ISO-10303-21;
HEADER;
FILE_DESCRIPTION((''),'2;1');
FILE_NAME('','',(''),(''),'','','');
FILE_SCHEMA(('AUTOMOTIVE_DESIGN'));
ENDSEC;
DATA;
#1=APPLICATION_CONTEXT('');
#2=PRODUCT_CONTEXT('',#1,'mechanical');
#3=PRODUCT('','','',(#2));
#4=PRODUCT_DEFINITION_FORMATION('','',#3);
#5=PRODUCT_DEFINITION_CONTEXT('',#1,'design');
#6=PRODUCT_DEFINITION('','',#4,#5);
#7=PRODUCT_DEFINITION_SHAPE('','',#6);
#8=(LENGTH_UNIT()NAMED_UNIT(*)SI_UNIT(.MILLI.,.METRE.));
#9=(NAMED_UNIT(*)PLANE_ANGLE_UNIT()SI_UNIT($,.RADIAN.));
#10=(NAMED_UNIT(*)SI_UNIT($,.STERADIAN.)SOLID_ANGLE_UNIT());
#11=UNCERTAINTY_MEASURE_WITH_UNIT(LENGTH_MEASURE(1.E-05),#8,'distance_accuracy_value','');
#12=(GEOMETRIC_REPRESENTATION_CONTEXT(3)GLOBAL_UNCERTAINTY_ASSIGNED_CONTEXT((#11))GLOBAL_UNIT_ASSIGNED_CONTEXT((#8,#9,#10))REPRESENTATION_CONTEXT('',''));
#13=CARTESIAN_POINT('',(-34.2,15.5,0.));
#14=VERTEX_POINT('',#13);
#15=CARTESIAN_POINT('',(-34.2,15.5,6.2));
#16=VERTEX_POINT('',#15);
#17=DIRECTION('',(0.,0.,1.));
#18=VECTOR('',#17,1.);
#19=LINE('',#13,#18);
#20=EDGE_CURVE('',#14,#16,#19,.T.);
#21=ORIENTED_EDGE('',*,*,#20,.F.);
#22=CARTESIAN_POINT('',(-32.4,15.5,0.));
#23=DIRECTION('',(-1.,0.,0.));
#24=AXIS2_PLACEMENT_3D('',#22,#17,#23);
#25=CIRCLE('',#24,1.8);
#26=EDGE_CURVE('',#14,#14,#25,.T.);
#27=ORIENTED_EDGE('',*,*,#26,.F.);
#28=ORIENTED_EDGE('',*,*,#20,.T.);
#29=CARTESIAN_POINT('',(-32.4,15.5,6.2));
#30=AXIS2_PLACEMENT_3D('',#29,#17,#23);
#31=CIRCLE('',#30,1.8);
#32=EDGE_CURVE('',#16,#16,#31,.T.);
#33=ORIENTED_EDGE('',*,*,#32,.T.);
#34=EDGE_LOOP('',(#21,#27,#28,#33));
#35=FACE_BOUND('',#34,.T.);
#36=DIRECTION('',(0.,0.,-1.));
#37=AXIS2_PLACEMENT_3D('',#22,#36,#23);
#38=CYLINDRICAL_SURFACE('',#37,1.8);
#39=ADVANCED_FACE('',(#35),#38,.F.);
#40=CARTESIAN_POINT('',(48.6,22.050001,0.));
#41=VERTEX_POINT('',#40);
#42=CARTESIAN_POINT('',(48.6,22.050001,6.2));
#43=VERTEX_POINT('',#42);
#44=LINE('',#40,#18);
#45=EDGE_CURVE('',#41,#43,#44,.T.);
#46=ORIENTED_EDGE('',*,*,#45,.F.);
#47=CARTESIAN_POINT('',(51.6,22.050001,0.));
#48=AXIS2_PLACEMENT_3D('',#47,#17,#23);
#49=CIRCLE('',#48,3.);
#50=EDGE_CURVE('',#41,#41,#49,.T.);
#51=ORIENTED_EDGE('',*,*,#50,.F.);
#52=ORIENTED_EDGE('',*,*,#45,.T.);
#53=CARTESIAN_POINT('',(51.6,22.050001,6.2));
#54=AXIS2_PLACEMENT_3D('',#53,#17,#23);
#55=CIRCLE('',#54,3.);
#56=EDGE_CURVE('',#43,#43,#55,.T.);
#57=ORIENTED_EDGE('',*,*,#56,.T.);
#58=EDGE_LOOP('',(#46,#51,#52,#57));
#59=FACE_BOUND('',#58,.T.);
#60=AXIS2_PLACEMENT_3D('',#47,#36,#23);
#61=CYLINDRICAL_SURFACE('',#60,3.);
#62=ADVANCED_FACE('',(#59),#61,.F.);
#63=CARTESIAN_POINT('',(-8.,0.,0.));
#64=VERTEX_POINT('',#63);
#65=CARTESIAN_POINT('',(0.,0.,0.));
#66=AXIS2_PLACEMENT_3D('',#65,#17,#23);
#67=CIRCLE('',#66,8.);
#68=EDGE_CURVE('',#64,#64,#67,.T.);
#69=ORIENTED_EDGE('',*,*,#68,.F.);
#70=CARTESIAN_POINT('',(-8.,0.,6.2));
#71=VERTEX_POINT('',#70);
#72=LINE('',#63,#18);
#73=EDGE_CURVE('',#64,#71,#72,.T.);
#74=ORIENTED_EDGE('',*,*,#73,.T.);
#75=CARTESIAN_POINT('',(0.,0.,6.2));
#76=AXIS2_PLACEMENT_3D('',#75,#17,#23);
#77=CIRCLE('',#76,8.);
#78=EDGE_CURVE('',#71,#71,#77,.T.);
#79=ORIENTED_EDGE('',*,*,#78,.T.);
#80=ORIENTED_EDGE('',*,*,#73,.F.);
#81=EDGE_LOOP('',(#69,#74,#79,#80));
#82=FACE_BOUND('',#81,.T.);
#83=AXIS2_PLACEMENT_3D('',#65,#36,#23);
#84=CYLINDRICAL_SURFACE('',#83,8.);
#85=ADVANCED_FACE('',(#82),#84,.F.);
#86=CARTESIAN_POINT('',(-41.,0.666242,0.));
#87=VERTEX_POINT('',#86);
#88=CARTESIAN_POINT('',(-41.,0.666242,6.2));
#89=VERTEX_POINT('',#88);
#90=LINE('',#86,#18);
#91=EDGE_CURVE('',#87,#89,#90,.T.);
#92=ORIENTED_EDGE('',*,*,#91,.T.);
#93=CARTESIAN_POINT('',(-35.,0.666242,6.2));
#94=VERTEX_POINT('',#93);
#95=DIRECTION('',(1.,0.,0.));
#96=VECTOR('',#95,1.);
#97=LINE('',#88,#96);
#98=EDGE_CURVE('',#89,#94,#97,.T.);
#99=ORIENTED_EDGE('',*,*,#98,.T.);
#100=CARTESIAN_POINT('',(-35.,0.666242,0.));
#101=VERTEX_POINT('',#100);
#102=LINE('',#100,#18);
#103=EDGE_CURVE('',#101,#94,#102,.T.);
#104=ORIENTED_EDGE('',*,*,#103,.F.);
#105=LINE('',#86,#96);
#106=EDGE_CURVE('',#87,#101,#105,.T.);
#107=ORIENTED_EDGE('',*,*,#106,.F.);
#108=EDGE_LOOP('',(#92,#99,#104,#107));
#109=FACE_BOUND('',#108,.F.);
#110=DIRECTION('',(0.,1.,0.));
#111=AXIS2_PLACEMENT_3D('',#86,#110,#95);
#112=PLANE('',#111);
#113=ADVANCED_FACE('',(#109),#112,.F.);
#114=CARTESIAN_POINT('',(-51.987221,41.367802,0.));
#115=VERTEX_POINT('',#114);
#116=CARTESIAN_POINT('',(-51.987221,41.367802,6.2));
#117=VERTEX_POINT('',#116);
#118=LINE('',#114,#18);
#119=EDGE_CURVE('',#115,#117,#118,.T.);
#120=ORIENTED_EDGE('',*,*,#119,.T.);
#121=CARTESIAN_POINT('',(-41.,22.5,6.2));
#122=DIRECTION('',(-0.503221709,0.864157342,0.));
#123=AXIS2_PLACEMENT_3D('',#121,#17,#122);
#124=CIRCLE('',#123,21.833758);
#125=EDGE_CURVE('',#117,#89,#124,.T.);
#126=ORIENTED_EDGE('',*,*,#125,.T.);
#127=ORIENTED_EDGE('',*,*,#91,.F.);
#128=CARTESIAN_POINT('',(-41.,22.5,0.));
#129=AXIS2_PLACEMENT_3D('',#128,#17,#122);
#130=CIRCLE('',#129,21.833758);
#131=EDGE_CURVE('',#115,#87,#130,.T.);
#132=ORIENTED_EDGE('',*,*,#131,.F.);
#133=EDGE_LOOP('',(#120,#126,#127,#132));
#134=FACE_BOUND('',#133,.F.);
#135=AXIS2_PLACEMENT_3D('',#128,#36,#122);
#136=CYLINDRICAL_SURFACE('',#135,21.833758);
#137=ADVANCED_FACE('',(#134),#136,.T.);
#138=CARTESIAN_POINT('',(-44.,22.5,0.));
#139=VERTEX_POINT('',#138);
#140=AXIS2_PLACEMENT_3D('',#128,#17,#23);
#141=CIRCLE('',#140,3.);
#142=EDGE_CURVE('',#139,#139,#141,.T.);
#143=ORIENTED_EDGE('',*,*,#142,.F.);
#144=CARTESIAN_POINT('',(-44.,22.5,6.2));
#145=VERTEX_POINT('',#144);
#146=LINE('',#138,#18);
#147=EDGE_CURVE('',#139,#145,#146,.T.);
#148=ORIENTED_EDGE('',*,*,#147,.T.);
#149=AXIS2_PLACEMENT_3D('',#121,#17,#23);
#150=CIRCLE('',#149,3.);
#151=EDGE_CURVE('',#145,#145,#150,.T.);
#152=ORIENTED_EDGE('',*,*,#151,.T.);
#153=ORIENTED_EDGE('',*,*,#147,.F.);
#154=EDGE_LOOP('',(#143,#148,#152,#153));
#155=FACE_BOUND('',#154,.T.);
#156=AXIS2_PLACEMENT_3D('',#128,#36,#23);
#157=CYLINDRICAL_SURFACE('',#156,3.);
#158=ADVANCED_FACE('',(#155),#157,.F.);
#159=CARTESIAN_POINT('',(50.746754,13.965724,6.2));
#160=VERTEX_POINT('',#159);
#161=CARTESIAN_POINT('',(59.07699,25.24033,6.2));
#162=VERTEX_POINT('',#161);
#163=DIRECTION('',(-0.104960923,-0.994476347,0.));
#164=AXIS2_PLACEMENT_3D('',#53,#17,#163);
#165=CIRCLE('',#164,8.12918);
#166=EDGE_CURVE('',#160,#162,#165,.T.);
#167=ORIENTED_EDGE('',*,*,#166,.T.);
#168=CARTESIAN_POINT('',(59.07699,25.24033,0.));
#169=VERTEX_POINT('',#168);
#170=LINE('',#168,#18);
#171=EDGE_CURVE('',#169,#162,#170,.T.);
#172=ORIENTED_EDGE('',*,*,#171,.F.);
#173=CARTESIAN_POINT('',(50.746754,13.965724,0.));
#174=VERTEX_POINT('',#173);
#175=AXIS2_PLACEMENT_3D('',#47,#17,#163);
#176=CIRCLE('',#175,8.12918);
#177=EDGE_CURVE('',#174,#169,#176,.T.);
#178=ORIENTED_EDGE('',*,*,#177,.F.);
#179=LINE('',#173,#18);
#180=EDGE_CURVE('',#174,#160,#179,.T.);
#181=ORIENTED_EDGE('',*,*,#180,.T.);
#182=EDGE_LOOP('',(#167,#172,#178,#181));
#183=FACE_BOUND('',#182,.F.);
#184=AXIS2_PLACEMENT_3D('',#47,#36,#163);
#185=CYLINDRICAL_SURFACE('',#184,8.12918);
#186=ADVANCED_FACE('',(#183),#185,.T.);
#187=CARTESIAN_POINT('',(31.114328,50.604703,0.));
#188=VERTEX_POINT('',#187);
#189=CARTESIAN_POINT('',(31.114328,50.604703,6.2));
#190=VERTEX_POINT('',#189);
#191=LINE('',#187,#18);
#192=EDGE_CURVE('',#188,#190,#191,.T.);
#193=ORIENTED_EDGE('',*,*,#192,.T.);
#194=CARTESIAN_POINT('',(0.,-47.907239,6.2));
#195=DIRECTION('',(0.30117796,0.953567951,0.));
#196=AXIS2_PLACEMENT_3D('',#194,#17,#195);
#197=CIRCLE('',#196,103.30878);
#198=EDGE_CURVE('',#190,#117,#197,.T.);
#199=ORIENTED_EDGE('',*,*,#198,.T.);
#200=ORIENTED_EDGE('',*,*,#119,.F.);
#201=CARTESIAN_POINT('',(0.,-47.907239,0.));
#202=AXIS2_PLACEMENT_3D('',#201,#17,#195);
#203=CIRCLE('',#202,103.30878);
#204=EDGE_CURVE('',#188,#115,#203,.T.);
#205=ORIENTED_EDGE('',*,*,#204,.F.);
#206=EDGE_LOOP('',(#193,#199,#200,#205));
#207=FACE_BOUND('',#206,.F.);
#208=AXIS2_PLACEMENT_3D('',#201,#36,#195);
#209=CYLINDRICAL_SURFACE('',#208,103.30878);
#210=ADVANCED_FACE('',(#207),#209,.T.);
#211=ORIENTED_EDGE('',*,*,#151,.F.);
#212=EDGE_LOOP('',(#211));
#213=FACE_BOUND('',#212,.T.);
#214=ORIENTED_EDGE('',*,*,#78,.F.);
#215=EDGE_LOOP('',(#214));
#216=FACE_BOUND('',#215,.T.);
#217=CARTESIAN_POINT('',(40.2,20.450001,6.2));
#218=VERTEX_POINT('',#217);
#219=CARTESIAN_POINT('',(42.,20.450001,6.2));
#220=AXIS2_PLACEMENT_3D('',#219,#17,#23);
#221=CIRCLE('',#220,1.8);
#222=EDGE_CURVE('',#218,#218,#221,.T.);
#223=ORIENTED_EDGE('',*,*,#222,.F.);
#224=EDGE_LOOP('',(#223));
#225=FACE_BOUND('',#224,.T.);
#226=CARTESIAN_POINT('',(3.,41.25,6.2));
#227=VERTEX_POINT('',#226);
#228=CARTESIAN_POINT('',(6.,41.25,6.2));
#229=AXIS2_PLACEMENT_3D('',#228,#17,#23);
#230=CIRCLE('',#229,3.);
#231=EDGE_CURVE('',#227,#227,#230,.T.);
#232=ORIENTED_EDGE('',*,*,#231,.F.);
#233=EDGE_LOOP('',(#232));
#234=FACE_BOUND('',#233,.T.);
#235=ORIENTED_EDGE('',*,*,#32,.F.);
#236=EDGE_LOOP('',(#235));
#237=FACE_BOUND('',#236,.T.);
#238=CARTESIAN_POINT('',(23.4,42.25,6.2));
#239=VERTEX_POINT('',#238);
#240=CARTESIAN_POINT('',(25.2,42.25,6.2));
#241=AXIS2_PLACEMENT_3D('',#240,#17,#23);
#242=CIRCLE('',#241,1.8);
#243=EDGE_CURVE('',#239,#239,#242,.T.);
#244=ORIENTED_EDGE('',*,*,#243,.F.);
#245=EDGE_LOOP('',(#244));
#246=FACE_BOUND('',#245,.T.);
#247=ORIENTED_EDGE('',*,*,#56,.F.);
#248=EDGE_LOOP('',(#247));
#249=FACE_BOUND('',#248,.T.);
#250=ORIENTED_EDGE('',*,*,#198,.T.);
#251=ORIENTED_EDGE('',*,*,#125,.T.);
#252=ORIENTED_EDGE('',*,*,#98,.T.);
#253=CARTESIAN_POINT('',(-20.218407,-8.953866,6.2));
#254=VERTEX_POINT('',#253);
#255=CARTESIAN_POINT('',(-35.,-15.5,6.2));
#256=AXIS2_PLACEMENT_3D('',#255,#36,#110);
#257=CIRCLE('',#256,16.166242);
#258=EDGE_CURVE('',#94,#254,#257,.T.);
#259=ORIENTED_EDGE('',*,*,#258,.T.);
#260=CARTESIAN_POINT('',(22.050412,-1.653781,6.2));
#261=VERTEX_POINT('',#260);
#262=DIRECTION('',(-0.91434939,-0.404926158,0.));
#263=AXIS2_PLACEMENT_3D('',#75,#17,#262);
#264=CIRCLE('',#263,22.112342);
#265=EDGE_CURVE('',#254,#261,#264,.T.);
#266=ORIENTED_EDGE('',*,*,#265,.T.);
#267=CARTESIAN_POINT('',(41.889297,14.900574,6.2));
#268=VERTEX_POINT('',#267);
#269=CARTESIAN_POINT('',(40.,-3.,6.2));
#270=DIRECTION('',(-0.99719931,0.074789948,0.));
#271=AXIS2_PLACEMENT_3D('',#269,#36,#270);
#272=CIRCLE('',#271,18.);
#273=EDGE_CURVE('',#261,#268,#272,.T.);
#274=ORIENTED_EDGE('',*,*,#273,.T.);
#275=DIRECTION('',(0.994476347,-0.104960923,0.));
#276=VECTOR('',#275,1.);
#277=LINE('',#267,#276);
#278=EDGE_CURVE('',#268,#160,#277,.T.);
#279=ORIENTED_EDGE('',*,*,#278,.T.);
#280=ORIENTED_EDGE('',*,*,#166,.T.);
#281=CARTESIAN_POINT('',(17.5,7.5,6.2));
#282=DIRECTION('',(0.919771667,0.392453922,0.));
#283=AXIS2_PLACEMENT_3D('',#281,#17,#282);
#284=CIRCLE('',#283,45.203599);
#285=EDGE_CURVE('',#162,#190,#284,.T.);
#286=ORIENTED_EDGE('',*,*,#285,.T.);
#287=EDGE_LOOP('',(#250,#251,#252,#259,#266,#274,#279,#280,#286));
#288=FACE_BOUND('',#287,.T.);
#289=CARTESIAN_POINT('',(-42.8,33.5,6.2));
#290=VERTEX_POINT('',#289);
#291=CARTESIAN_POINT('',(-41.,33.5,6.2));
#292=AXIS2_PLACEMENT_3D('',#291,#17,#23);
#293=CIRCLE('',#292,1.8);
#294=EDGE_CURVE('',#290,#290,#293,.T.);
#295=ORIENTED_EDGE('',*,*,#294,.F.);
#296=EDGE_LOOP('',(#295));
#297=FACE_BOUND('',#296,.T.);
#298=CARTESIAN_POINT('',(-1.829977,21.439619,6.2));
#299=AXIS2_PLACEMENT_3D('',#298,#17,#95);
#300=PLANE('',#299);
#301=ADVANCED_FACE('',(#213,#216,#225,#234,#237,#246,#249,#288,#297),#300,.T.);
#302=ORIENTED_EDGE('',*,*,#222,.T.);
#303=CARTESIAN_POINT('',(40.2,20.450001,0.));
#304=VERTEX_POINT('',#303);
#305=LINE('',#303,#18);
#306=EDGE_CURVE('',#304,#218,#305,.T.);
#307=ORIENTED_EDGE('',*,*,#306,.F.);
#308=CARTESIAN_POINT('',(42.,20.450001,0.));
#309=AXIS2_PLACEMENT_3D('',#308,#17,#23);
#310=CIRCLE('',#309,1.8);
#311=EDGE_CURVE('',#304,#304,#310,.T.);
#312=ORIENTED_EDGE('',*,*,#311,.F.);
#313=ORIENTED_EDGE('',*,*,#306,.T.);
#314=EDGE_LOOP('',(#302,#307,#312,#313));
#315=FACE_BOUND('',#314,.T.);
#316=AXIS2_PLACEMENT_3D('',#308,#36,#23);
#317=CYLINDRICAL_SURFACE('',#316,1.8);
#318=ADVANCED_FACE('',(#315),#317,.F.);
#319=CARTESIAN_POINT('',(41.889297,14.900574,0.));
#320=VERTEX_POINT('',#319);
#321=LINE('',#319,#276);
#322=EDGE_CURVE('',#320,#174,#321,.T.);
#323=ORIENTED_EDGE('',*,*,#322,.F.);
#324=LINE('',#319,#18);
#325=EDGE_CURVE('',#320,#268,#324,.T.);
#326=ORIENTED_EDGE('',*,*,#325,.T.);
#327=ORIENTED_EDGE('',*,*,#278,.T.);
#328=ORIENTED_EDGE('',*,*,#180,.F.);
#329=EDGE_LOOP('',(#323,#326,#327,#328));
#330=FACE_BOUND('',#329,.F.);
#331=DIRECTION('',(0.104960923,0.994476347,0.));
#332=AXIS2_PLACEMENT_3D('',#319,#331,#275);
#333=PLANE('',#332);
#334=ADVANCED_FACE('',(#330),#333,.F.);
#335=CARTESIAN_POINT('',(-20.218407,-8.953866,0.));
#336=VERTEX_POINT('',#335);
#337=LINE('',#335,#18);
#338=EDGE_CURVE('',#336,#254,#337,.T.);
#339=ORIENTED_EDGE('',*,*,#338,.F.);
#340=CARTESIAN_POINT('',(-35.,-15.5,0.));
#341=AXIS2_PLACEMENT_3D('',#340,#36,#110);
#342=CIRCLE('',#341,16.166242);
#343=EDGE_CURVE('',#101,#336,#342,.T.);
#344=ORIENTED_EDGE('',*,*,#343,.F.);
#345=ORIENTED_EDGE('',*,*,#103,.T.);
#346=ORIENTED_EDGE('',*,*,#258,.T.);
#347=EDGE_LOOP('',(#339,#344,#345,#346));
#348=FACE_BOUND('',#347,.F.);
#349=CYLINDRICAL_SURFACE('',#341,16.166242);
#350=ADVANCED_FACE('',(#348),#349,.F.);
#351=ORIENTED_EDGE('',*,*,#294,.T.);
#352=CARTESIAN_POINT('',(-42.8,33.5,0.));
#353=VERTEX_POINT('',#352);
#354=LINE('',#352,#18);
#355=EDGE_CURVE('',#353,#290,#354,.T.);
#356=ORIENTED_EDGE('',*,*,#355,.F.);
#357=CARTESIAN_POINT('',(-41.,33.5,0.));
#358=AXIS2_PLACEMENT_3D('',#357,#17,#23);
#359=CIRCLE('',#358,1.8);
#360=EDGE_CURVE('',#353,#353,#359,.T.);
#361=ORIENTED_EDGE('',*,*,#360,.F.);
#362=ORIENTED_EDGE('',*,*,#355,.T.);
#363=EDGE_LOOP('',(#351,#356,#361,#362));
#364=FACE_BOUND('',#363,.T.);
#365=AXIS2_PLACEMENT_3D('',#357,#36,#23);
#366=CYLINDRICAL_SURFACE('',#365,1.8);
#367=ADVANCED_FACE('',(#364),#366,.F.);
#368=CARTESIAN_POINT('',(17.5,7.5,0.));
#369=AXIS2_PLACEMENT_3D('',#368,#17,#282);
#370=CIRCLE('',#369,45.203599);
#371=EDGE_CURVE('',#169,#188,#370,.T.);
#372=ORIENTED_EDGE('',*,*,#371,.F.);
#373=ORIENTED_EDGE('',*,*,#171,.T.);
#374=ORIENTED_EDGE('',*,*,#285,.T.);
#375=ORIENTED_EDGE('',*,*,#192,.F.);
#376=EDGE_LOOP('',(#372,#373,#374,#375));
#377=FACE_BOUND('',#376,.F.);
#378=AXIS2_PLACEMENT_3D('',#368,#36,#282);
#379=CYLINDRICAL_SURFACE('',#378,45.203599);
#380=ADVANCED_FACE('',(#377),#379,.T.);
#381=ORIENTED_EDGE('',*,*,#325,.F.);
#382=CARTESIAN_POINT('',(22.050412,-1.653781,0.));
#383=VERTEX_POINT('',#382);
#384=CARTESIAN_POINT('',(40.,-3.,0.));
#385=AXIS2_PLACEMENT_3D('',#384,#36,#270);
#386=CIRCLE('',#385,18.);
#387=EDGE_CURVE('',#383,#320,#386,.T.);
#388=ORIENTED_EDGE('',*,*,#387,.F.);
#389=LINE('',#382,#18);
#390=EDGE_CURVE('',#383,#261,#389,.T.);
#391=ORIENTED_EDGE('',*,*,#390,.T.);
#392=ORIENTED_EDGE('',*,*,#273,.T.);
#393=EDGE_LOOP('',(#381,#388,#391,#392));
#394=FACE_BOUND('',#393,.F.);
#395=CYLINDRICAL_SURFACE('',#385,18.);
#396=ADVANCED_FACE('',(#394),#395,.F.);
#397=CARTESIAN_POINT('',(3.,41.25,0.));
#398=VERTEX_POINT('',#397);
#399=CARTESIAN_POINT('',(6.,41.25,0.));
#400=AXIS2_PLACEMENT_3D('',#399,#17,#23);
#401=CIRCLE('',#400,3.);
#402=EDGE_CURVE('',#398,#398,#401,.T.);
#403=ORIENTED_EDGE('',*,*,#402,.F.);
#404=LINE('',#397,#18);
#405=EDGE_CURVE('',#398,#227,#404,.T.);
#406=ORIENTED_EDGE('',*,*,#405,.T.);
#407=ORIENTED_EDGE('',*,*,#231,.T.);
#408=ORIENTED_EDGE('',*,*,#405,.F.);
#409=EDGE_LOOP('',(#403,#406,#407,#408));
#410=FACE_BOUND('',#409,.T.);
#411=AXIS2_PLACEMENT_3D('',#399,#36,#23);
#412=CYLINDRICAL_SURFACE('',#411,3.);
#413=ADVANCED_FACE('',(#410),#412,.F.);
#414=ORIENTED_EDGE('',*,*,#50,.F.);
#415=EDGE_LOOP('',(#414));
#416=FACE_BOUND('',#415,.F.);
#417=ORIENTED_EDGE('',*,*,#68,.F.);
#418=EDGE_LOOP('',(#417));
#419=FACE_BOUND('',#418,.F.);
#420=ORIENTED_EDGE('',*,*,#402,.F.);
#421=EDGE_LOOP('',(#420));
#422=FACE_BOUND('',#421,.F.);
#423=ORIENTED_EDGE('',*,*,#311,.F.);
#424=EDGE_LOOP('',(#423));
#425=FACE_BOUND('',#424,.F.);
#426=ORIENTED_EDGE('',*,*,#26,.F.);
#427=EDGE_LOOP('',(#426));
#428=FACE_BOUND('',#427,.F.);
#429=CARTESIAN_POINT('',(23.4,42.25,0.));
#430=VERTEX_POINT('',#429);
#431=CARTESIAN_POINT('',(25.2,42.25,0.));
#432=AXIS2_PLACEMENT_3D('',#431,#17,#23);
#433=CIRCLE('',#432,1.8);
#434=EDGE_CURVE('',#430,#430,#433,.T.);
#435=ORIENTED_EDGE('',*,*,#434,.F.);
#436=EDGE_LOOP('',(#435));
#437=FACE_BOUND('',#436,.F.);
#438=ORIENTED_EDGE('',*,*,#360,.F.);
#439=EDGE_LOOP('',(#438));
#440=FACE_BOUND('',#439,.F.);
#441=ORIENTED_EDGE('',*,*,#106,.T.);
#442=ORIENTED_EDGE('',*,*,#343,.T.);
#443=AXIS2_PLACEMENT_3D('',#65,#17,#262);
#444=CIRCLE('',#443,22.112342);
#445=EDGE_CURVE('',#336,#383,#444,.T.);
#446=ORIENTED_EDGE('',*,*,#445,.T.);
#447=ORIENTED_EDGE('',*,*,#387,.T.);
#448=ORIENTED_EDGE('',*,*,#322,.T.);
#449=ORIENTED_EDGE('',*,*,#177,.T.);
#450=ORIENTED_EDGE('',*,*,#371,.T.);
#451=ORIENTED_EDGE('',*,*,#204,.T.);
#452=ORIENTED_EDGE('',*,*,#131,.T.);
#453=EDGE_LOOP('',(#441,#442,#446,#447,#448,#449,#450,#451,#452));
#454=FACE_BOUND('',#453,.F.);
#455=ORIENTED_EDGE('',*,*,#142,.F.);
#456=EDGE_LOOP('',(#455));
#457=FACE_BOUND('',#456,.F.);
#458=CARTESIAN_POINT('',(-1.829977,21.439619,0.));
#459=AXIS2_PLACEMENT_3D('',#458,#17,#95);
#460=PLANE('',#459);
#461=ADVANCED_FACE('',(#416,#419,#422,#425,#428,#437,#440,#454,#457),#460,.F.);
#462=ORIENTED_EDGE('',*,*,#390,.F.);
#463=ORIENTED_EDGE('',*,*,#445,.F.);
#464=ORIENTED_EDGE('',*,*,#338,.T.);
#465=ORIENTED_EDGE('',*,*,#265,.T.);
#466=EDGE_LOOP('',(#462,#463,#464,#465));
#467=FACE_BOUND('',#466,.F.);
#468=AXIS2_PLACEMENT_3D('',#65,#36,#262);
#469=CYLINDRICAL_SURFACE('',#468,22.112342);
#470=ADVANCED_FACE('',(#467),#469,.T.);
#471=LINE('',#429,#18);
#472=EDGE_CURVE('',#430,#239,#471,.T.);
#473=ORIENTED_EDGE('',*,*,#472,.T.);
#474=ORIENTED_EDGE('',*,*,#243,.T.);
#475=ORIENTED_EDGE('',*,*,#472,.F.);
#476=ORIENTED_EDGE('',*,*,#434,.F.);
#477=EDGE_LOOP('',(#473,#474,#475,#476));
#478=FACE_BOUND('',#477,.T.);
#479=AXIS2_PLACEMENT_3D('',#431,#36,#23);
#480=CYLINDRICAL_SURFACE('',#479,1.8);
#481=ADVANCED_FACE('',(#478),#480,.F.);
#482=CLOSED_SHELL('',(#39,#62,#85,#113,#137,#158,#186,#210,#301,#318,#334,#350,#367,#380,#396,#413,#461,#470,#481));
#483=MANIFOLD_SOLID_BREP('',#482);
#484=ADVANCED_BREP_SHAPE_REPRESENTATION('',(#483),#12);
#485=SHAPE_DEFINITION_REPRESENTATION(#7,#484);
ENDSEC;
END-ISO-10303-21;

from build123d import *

# Parameters (mm, degrees)
SKETCH1_R           = 3
SKETCH1_R_2         = 8
SKETCH1_R_3         = 1.8
BOSS_EXTRUDE1_DEPTH = 6.2


with BuildPart() as part:
    # Sketch1 → Boss-Extrude1 (new body)
    with BuildSketch(Plane.XY):
        with BuildLine():
            Line((41.889296616, 14.900574245), (50.746753734, 13.965723579))
            ThreePointArc((50.746753734, 13.965723579), (58.138171033, 17.219277376), (59.076989694, 25.240329771))
            ThreePointArc((59.076989694, 25.240329771), (47.870351378, 40.981444556), (31.114327774, 50.604703359))
            ThreePointArc((31.114327774, 50.604703359), (-11.412690469, 54.769217303), (-51.987221097, 41.367802402))
            ThreePointArc((-51.987221097, 41.367802402), (-62.079231834, 16.80974691), (-41, 0.666241851))
            Line((-41, 0.666241851), (-35, 0.666241851))
            ThreePointArc((-35, 0.666241851), (-26.181808949, -1.950576316), (-20.218406631, -8.953865794))
            ThreePointArc((-20.218406631, -8.953865794), (3.76322615, -21.789763842), (22.050412422, -1.653780932))
            ThreePointArc((22.050412422, -1.653780932), (28.467658292, 10.820459281), (41.889296616, 14.900574245))
        make_face()
        with Locations(Location((-41, 22.5, 0), (0, 0, 180))):
            Circle(SKETCH1_R, mode=Mode.SUBTRACT)
        with Locations(Location((6, 41.25, 0), (0, 0, 180))):
            Circle(SKETCH1_R, mode=Mode.SUBTRACT)
        with Locations(Location((51.6, 22.050001086, 0), (0, 0, 180))):
            Circle(SKETCH1_R, mode=Mode.SUBTRACT)
        with Locations(Location((0, 0, 0), (0, 0, 180))):
            Circle(SKETCH1_R_2, mode=Mode.SUBTRACT)
        with Locations(Location((25.2, 42.25, 0), (0, 0, 180))):
            Circle(SKETCH1_R_3, mode=Mode.SUBTRACT)
        with Locations(Location((-32.4, 15.5, 0), (0, 0, 180))):
            Circle(SKETCH1_R_3, mode=Mode.SUBTRACT)
        with Locations(Location((42, 20.450001086, 0), (0, 0, 180))):
            Circle(SKETCH1_R_3, mode=Mode.SUBTRACT)
        with Locations(Location((-41, 33.5, 0), (0, 0, 180))):
            Circle(SKETCH1_R_3, mode=Mode.SUBTRACT)
    extrude(amount=BOSS_EXTRUDE1_DEPTH)


solid = part.part
